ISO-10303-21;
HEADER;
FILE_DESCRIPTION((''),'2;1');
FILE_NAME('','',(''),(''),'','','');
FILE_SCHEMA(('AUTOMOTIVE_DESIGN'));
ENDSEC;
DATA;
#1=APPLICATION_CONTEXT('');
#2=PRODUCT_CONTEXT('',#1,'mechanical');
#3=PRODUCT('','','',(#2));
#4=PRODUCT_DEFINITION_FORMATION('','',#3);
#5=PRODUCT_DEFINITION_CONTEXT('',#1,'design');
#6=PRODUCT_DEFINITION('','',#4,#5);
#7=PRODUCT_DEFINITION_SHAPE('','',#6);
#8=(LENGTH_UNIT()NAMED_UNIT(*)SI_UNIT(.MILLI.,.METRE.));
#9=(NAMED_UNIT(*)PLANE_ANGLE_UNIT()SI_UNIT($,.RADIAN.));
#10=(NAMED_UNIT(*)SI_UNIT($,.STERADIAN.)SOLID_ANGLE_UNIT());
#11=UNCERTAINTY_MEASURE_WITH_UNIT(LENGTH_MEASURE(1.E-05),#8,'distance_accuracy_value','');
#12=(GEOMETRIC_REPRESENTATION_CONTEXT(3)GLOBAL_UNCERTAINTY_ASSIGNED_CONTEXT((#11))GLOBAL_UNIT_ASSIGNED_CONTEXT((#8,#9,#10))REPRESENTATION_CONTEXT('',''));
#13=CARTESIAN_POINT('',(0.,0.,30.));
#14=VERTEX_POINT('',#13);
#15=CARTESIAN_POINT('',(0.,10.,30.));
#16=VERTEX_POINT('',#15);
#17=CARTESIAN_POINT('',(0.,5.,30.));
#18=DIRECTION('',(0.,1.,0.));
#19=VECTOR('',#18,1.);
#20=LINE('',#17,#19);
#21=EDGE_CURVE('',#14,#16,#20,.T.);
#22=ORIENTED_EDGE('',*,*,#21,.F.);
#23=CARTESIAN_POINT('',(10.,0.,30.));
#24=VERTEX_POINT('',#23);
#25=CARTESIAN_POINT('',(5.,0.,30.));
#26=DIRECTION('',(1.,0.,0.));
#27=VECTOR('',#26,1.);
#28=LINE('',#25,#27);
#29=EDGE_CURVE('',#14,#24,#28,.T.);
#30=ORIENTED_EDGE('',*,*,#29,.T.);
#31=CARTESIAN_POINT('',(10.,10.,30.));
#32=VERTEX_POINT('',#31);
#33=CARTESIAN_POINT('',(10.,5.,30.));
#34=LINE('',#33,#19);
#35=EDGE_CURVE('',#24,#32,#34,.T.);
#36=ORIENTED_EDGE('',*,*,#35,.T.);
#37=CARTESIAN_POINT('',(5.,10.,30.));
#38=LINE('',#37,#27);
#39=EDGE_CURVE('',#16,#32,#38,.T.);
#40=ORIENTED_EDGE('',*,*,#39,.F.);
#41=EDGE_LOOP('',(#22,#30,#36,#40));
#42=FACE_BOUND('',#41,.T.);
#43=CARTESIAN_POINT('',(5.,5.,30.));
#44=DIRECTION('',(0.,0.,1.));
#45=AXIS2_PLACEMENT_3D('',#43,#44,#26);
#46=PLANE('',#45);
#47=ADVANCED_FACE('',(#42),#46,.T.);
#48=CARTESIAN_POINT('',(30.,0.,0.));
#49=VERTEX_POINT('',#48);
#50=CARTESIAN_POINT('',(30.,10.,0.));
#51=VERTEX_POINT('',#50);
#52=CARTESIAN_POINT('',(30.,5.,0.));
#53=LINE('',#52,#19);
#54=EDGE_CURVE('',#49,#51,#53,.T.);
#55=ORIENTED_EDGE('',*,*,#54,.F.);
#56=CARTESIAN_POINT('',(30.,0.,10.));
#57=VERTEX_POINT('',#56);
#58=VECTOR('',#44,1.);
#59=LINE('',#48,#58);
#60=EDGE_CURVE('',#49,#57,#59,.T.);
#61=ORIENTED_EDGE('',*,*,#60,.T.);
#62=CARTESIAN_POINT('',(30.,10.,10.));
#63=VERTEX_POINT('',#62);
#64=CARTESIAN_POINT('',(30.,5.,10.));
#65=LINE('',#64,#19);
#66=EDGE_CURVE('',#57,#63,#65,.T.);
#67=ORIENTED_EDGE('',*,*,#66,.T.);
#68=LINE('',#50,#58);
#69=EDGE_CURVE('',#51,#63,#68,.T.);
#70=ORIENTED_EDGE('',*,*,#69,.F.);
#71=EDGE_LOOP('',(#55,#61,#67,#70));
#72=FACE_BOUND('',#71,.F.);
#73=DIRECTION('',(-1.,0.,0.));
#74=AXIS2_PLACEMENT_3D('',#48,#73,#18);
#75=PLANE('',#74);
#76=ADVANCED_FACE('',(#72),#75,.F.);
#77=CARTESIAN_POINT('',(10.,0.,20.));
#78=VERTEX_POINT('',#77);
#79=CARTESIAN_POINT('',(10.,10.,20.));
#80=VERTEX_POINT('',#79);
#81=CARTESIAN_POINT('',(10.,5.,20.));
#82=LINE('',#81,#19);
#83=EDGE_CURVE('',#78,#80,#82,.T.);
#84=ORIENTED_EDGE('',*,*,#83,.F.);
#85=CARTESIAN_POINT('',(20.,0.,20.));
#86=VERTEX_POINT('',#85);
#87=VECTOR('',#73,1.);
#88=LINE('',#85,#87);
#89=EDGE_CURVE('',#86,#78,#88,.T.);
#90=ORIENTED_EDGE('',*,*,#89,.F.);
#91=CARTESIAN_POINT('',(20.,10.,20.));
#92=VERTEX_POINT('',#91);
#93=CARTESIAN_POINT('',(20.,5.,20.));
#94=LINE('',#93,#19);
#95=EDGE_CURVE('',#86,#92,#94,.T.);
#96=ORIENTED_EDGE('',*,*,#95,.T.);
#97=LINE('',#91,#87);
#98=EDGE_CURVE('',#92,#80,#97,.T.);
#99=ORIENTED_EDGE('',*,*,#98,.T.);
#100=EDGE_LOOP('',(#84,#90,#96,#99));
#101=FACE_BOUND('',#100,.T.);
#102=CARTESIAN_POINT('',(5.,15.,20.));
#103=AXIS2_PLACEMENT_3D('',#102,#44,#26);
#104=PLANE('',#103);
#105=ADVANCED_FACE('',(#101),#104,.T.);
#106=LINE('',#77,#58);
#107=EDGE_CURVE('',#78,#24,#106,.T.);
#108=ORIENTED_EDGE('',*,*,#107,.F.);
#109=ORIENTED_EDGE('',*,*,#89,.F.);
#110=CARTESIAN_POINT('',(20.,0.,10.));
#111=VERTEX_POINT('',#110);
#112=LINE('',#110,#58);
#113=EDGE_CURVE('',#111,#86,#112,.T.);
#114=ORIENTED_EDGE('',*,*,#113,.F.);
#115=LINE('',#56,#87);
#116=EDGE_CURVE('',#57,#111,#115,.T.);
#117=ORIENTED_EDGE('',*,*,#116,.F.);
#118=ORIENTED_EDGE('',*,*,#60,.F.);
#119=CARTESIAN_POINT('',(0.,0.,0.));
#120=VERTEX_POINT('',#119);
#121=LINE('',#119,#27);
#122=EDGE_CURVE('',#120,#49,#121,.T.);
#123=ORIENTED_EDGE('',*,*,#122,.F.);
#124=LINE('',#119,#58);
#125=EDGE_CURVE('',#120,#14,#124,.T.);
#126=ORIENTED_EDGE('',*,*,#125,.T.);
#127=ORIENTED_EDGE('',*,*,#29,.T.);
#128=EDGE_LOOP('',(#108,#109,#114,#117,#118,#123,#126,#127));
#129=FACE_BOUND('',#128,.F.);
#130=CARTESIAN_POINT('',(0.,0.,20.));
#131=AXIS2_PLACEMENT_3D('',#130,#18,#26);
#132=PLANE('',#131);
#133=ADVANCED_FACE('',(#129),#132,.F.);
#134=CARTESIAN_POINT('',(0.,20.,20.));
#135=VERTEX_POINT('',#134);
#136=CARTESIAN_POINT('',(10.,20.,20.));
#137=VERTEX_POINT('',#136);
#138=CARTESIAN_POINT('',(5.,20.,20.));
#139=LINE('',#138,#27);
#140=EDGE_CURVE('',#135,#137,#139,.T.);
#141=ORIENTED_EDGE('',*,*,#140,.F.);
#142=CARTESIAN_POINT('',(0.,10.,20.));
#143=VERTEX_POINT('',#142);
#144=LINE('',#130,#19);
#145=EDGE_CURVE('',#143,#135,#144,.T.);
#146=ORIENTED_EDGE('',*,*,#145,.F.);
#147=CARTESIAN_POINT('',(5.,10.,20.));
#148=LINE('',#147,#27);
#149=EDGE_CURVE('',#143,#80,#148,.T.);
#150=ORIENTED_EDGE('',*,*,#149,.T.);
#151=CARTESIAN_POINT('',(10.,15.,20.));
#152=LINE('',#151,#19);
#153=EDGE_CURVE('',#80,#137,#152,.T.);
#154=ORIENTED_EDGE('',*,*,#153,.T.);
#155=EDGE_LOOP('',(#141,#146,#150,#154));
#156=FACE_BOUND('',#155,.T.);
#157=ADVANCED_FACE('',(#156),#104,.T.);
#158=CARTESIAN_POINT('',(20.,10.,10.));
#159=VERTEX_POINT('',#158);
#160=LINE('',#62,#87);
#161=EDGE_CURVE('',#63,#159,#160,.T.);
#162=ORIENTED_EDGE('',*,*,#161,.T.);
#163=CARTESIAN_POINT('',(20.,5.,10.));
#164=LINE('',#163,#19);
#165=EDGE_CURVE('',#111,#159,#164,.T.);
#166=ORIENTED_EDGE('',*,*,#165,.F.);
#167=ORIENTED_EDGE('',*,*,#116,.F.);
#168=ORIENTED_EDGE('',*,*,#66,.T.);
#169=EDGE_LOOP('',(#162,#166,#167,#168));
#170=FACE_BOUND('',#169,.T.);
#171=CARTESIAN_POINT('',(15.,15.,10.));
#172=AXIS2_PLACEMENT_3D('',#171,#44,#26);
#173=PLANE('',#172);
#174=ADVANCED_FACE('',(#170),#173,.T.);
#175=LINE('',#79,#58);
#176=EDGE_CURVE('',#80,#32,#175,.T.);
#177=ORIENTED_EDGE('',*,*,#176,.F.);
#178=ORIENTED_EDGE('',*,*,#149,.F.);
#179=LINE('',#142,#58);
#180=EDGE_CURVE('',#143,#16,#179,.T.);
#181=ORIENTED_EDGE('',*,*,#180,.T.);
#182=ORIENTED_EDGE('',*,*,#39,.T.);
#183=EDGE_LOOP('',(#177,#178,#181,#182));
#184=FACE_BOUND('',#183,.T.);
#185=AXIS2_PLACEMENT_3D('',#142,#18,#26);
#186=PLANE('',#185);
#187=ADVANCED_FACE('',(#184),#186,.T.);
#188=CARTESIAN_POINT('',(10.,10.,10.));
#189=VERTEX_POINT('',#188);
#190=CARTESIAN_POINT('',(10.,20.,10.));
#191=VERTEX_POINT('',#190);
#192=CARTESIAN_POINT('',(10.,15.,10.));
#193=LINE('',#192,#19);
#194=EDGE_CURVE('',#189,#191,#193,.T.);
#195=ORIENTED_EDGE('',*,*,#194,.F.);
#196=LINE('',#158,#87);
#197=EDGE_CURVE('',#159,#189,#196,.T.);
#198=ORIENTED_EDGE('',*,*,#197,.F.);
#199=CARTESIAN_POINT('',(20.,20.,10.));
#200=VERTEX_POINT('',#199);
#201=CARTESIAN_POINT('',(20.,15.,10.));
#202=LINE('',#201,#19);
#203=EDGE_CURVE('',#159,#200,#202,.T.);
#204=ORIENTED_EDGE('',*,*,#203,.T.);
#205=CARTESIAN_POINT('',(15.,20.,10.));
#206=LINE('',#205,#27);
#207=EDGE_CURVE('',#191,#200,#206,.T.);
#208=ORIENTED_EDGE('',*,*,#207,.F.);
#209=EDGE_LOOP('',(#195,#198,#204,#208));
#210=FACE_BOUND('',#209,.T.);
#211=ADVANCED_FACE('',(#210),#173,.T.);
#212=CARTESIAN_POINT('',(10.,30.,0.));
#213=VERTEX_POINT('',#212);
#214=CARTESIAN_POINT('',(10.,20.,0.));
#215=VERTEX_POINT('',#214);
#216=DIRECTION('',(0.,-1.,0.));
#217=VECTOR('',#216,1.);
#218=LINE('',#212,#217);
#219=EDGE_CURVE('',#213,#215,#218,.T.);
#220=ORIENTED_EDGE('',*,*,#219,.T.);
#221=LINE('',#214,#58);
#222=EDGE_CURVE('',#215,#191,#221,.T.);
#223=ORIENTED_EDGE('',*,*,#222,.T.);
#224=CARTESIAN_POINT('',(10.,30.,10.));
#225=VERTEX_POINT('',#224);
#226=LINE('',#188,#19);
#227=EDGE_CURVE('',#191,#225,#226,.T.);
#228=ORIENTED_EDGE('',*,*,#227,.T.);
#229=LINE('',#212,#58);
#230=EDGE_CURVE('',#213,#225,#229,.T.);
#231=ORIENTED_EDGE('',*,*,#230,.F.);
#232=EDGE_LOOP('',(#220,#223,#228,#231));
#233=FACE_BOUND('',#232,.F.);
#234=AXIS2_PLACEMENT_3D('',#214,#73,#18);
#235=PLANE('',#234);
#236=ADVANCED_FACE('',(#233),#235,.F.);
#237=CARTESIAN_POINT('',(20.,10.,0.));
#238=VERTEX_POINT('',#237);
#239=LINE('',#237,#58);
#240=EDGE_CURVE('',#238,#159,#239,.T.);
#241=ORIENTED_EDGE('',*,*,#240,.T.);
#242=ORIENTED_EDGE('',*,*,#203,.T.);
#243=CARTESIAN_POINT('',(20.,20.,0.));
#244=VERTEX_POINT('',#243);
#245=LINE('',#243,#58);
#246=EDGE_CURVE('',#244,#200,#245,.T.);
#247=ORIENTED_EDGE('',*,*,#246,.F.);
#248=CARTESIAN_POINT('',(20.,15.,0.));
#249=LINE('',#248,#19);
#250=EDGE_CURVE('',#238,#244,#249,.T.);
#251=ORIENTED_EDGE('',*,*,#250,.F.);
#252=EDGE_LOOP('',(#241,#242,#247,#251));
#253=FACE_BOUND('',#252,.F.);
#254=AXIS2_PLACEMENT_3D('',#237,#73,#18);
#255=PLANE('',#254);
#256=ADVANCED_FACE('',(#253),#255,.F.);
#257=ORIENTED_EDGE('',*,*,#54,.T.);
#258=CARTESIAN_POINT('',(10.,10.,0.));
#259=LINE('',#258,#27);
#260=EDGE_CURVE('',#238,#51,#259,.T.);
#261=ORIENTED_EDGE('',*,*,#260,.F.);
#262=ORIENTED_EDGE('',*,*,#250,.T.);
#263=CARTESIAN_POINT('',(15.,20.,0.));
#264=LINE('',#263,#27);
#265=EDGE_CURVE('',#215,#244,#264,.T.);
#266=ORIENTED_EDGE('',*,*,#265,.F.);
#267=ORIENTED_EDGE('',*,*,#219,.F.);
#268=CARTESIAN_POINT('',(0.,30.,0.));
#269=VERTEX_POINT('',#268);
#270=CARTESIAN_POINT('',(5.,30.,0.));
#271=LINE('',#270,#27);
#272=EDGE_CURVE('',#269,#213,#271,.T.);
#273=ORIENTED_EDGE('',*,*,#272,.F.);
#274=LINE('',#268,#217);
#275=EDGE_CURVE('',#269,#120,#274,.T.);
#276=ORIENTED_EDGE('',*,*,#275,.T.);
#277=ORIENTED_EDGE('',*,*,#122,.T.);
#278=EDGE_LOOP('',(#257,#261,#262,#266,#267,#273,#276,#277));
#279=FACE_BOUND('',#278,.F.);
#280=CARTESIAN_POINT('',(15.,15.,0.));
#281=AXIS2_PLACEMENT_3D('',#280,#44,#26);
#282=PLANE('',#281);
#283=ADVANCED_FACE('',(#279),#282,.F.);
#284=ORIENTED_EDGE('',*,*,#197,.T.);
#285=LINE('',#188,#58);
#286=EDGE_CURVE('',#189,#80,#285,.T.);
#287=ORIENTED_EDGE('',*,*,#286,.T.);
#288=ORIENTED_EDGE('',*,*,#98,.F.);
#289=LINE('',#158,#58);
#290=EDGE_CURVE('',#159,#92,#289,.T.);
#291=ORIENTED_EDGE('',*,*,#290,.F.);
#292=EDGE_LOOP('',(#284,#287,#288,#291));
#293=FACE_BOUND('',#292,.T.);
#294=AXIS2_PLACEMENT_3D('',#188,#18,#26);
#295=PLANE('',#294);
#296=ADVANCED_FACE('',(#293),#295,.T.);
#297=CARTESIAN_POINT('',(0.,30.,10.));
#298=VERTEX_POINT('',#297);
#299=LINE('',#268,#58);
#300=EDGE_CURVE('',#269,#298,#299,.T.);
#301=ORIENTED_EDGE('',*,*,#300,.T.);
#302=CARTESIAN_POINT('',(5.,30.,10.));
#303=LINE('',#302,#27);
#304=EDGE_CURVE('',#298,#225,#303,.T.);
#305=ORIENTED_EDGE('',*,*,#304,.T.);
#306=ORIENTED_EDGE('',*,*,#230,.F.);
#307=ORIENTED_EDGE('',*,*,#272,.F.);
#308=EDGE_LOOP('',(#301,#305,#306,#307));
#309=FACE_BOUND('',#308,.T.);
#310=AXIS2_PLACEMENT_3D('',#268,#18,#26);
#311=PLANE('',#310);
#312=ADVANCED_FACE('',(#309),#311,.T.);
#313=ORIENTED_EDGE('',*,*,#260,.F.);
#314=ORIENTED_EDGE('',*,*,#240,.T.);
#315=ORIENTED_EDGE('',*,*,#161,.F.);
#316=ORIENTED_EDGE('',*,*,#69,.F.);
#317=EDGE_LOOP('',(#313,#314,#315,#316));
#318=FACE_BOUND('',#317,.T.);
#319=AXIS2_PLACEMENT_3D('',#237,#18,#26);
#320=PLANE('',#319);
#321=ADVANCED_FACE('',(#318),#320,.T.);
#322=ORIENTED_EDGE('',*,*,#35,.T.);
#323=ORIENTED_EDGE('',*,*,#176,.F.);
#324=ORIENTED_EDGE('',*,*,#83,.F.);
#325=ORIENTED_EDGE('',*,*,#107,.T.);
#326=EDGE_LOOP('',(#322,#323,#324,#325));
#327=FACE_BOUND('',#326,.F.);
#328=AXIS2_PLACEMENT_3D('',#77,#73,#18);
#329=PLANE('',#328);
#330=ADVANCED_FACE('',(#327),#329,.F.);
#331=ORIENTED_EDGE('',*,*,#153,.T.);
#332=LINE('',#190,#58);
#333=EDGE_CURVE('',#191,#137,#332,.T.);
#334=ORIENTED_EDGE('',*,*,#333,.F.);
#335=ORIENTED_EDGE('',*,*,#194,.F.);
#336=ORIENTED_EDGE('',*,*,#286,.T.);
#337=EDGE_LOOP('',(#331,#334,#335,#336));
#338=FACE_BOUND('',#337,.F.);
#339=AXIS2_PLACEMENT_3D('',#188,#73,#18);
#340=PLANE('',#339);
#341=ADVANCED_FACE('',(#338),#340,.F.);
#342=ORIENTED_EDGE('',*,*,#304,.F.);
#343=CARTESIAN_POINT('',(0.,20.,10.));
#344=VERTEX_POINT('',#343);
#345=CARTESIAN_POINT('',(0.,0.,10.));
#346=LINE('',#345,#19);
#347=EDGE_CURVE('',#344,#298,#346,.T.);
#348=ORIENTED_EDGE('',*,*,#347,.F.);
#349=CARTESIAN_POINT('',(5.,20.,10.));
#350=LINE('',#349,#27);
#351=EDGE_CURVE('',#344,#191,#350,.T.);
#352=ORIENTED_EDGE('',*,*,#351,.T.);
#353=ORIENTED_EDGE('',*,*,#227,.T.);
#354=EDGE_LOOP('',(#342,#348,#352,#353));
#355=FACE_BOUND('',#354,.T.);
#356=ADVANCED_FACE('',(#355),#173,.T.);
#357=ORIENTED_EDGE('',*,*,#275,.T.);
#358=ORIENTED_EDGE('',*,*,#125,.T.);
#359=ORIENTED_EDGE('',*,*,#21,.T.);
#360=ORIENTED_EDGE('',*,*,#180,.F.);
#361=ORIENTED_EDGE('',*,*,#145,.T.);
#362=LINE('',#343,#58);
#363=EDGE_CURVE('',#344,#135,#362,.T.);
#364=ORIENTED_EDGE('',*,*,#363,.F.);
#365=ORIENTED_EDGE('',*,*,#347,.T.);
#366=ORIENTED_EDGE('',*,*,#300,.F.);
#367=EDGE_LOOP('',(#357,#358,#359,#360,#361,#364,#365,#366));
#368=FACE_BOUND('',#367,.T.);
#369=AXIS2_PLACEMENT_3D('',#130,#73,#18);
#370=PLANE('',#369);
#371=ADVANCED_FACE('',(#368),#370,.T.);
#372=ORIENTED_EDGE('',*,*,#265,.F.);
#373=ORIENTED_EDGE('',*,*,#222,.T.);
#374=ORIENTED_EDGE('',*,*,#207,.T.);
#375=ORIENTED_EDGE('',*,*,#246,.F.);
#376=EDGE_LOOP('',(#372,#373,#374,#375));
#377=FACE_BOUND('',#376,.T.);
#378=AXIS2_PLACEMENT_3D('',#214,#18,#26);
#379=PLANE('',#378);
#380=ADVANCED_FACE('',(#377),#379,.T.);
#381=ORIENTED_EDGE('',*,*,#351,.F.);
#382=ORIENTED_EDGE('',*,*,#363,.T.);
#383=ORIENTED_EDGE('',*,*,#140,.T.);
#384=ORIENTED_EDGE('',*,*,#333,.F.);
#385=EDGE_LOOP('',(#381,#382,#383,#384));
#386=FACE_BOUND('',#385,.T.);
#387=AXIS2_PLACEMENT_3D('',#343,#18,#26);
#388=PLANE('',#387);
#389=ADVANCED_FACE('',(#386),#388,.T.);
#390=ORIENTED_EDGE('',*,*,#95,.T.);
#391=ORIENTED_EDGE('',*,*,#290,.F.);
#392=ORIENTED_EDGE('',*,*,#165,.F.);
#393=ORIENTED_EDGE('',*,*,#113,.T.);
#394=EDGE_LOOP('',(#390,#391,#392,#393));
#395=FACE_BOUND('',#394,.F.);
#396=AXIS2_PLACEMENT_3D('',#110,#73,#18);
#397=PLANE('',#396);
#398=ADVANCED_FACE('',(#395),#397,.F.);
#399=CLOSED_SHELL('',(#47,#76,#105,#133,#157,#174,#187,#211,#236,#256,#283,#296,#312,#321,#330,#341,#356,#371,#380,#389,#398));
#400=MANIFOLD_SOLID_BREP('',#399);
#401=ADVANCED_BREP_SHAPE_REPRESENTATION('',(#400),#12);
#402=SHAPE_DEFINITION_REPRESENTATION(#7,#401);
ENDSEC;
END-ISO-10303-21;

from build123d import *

# Parameters (mm, degrees)
BOX001_W     = 10
BOX001_H     = 10
BOX001_DEPTH = 10
BOX002_W     = 10
BOX002_H     = 10
BOX002_DEPTH = 10
BOX003_W     = 10
BOX003_H     = 10
BOX003_DEPTH = 10
BOX004_W     = 10
BOX004_H     = 10
BOX004_DEPTH = 10
BOX005_W     = 10
BOX005_H     = 10
BOX005_DEPTH = 10
BOX006_W     = 10
BOX006_H     = 10
BOX006_DEPTH = 10
BOX007_W     = 10
BOX007_H     = 10
BOX007_DEPTH = 10
BOX008_W     = 10
BOX008_H     = 10
BOX008_DEPTH = 10
BOX009_W     = 10
BOX009_H     = 10
BOX009_DEPTH = 10
BOX_W        = 10
BOX_H        = 10
BOX_DEPTH    = 10


with BuildPart() as cube001:
    # Box001 → Box001 (new body)
    with BuildSketch(Plane(origin=(10, 0, 0), x_dir=(1, 0, 0), z_dir=(0, 0, 1))):
        with Locations((5, 5)):
            Rectangle(BOX001_W, BOX001_H)
    extrude(amount=BOX001_DEPTH)


with BuildPart() as cube002:
    # Box002 → Box002 (new body)
    with BuildSketch(Plane(origin=(0, 10, 0), x_dir=(1, 0, 0), z_dir=(0, 0, 1))):
        with Locations((5, 5)):
            Rectangle(BOX002_W, BOX002_H)
    extrude(amount=BOX002_DEPTH)


with BuildPart() as cube003:
    # Box003 → Box003 (new body)
    with BuildSketch(Plane(origin=(20, 0, 0), x_dir=(1, 0, 0), z_dir=(0, 0, 1))):
        with Locations((5, 5)):
            Rectangle(BOX003_W, BOX003_H)
    extrude(amount=BOX003_DEPTH)


with BuildPart() as cube004:
    # Box004 → Box004 (new body)
    with BuildSketch(Plane(origin=(0, 20, 0), x_dir=(1, 0, 0), z_dir=(0, 0, 1))):
        with Locations((5, 5)):
            Rectangle(BOX004_W, BOX004_H)
    extrude(amount=BOX004_DEPTH)


with BuildPart() as cube005:
    # Box005 → Box005 (new body)
    with BuildSketch(Plane(origin=(10, 10, 0), x_dir=(1, 0, 0), z_dir=(0, 0, 1))):
        with Locations((5, 5)):
            Rectangle(BOX005_W, BOX005_H)
    extrude(amount=BOX005_DEPTH)


with BuildPart() as cube006:
    # Box006 → Box006 (new body)
    with BuildSketch(Plane.XY.offset(10)):
        with Locations((5, 5)):
            Rectangle(BOX006_W, BOX006_H)
    extrude(amount=BOX006_DEPTH)


with BuildPart() as cube007:
    # Box007 → Box007 (new body)
    with BuildSketch(Plane(origin=(10, 0, 10), x_dir=(1, 0, 0), z_dir=(0, 0, 1))):
        with Locations((5, 5)):
            Rectangle(BOX007_W, BOX007_H)
    extrude(amount=BOX007_DEPTH)


with BuildPart() as cube008:
    # Box008 → Box008 (new body)
    with BuildSketch(Plane(origin=(0, 10, 10), x_dir=(1, 0, 0), z_dir=(0, 0, 1))):
        with Locations((5, 5)):
            Rectangle(BOX008_W, BOX008_H)
    extrude(amount=BOX008_DEPTH)


with BuildPart() as cube009:
    # Box009 → Box009 (new body)
    with BuildSketch(Plane.XY.offset(20)):
        with Locations((5, 5)):
            Rectangle(BOX009_W, BOX009_H)
    extrude(amount=BOX009_DEPTH)


with BuildPart() as fusion:
    # Box → Box (new body)
    with BuildSketch(Plane.XY):
        with Locations((5, 5)):
            Rectangle(BOX_W, BOX_H)
    extrude(amount=BOX_DEPTH)

    # Fusion: union Cube001, Cube002, Cube003, Cube004, Cube005, Cube006, Cube007, Cube008, Cube009
    add(cube001.part)
    add(cube002.part)
    add(cube003.part)
    add(cube004.part)
    add(cube005.part)
    add(cube006.part)
    add(cube007.part)
    add(cube008.part)
    add(cube009.part)


solid = fusion.part
